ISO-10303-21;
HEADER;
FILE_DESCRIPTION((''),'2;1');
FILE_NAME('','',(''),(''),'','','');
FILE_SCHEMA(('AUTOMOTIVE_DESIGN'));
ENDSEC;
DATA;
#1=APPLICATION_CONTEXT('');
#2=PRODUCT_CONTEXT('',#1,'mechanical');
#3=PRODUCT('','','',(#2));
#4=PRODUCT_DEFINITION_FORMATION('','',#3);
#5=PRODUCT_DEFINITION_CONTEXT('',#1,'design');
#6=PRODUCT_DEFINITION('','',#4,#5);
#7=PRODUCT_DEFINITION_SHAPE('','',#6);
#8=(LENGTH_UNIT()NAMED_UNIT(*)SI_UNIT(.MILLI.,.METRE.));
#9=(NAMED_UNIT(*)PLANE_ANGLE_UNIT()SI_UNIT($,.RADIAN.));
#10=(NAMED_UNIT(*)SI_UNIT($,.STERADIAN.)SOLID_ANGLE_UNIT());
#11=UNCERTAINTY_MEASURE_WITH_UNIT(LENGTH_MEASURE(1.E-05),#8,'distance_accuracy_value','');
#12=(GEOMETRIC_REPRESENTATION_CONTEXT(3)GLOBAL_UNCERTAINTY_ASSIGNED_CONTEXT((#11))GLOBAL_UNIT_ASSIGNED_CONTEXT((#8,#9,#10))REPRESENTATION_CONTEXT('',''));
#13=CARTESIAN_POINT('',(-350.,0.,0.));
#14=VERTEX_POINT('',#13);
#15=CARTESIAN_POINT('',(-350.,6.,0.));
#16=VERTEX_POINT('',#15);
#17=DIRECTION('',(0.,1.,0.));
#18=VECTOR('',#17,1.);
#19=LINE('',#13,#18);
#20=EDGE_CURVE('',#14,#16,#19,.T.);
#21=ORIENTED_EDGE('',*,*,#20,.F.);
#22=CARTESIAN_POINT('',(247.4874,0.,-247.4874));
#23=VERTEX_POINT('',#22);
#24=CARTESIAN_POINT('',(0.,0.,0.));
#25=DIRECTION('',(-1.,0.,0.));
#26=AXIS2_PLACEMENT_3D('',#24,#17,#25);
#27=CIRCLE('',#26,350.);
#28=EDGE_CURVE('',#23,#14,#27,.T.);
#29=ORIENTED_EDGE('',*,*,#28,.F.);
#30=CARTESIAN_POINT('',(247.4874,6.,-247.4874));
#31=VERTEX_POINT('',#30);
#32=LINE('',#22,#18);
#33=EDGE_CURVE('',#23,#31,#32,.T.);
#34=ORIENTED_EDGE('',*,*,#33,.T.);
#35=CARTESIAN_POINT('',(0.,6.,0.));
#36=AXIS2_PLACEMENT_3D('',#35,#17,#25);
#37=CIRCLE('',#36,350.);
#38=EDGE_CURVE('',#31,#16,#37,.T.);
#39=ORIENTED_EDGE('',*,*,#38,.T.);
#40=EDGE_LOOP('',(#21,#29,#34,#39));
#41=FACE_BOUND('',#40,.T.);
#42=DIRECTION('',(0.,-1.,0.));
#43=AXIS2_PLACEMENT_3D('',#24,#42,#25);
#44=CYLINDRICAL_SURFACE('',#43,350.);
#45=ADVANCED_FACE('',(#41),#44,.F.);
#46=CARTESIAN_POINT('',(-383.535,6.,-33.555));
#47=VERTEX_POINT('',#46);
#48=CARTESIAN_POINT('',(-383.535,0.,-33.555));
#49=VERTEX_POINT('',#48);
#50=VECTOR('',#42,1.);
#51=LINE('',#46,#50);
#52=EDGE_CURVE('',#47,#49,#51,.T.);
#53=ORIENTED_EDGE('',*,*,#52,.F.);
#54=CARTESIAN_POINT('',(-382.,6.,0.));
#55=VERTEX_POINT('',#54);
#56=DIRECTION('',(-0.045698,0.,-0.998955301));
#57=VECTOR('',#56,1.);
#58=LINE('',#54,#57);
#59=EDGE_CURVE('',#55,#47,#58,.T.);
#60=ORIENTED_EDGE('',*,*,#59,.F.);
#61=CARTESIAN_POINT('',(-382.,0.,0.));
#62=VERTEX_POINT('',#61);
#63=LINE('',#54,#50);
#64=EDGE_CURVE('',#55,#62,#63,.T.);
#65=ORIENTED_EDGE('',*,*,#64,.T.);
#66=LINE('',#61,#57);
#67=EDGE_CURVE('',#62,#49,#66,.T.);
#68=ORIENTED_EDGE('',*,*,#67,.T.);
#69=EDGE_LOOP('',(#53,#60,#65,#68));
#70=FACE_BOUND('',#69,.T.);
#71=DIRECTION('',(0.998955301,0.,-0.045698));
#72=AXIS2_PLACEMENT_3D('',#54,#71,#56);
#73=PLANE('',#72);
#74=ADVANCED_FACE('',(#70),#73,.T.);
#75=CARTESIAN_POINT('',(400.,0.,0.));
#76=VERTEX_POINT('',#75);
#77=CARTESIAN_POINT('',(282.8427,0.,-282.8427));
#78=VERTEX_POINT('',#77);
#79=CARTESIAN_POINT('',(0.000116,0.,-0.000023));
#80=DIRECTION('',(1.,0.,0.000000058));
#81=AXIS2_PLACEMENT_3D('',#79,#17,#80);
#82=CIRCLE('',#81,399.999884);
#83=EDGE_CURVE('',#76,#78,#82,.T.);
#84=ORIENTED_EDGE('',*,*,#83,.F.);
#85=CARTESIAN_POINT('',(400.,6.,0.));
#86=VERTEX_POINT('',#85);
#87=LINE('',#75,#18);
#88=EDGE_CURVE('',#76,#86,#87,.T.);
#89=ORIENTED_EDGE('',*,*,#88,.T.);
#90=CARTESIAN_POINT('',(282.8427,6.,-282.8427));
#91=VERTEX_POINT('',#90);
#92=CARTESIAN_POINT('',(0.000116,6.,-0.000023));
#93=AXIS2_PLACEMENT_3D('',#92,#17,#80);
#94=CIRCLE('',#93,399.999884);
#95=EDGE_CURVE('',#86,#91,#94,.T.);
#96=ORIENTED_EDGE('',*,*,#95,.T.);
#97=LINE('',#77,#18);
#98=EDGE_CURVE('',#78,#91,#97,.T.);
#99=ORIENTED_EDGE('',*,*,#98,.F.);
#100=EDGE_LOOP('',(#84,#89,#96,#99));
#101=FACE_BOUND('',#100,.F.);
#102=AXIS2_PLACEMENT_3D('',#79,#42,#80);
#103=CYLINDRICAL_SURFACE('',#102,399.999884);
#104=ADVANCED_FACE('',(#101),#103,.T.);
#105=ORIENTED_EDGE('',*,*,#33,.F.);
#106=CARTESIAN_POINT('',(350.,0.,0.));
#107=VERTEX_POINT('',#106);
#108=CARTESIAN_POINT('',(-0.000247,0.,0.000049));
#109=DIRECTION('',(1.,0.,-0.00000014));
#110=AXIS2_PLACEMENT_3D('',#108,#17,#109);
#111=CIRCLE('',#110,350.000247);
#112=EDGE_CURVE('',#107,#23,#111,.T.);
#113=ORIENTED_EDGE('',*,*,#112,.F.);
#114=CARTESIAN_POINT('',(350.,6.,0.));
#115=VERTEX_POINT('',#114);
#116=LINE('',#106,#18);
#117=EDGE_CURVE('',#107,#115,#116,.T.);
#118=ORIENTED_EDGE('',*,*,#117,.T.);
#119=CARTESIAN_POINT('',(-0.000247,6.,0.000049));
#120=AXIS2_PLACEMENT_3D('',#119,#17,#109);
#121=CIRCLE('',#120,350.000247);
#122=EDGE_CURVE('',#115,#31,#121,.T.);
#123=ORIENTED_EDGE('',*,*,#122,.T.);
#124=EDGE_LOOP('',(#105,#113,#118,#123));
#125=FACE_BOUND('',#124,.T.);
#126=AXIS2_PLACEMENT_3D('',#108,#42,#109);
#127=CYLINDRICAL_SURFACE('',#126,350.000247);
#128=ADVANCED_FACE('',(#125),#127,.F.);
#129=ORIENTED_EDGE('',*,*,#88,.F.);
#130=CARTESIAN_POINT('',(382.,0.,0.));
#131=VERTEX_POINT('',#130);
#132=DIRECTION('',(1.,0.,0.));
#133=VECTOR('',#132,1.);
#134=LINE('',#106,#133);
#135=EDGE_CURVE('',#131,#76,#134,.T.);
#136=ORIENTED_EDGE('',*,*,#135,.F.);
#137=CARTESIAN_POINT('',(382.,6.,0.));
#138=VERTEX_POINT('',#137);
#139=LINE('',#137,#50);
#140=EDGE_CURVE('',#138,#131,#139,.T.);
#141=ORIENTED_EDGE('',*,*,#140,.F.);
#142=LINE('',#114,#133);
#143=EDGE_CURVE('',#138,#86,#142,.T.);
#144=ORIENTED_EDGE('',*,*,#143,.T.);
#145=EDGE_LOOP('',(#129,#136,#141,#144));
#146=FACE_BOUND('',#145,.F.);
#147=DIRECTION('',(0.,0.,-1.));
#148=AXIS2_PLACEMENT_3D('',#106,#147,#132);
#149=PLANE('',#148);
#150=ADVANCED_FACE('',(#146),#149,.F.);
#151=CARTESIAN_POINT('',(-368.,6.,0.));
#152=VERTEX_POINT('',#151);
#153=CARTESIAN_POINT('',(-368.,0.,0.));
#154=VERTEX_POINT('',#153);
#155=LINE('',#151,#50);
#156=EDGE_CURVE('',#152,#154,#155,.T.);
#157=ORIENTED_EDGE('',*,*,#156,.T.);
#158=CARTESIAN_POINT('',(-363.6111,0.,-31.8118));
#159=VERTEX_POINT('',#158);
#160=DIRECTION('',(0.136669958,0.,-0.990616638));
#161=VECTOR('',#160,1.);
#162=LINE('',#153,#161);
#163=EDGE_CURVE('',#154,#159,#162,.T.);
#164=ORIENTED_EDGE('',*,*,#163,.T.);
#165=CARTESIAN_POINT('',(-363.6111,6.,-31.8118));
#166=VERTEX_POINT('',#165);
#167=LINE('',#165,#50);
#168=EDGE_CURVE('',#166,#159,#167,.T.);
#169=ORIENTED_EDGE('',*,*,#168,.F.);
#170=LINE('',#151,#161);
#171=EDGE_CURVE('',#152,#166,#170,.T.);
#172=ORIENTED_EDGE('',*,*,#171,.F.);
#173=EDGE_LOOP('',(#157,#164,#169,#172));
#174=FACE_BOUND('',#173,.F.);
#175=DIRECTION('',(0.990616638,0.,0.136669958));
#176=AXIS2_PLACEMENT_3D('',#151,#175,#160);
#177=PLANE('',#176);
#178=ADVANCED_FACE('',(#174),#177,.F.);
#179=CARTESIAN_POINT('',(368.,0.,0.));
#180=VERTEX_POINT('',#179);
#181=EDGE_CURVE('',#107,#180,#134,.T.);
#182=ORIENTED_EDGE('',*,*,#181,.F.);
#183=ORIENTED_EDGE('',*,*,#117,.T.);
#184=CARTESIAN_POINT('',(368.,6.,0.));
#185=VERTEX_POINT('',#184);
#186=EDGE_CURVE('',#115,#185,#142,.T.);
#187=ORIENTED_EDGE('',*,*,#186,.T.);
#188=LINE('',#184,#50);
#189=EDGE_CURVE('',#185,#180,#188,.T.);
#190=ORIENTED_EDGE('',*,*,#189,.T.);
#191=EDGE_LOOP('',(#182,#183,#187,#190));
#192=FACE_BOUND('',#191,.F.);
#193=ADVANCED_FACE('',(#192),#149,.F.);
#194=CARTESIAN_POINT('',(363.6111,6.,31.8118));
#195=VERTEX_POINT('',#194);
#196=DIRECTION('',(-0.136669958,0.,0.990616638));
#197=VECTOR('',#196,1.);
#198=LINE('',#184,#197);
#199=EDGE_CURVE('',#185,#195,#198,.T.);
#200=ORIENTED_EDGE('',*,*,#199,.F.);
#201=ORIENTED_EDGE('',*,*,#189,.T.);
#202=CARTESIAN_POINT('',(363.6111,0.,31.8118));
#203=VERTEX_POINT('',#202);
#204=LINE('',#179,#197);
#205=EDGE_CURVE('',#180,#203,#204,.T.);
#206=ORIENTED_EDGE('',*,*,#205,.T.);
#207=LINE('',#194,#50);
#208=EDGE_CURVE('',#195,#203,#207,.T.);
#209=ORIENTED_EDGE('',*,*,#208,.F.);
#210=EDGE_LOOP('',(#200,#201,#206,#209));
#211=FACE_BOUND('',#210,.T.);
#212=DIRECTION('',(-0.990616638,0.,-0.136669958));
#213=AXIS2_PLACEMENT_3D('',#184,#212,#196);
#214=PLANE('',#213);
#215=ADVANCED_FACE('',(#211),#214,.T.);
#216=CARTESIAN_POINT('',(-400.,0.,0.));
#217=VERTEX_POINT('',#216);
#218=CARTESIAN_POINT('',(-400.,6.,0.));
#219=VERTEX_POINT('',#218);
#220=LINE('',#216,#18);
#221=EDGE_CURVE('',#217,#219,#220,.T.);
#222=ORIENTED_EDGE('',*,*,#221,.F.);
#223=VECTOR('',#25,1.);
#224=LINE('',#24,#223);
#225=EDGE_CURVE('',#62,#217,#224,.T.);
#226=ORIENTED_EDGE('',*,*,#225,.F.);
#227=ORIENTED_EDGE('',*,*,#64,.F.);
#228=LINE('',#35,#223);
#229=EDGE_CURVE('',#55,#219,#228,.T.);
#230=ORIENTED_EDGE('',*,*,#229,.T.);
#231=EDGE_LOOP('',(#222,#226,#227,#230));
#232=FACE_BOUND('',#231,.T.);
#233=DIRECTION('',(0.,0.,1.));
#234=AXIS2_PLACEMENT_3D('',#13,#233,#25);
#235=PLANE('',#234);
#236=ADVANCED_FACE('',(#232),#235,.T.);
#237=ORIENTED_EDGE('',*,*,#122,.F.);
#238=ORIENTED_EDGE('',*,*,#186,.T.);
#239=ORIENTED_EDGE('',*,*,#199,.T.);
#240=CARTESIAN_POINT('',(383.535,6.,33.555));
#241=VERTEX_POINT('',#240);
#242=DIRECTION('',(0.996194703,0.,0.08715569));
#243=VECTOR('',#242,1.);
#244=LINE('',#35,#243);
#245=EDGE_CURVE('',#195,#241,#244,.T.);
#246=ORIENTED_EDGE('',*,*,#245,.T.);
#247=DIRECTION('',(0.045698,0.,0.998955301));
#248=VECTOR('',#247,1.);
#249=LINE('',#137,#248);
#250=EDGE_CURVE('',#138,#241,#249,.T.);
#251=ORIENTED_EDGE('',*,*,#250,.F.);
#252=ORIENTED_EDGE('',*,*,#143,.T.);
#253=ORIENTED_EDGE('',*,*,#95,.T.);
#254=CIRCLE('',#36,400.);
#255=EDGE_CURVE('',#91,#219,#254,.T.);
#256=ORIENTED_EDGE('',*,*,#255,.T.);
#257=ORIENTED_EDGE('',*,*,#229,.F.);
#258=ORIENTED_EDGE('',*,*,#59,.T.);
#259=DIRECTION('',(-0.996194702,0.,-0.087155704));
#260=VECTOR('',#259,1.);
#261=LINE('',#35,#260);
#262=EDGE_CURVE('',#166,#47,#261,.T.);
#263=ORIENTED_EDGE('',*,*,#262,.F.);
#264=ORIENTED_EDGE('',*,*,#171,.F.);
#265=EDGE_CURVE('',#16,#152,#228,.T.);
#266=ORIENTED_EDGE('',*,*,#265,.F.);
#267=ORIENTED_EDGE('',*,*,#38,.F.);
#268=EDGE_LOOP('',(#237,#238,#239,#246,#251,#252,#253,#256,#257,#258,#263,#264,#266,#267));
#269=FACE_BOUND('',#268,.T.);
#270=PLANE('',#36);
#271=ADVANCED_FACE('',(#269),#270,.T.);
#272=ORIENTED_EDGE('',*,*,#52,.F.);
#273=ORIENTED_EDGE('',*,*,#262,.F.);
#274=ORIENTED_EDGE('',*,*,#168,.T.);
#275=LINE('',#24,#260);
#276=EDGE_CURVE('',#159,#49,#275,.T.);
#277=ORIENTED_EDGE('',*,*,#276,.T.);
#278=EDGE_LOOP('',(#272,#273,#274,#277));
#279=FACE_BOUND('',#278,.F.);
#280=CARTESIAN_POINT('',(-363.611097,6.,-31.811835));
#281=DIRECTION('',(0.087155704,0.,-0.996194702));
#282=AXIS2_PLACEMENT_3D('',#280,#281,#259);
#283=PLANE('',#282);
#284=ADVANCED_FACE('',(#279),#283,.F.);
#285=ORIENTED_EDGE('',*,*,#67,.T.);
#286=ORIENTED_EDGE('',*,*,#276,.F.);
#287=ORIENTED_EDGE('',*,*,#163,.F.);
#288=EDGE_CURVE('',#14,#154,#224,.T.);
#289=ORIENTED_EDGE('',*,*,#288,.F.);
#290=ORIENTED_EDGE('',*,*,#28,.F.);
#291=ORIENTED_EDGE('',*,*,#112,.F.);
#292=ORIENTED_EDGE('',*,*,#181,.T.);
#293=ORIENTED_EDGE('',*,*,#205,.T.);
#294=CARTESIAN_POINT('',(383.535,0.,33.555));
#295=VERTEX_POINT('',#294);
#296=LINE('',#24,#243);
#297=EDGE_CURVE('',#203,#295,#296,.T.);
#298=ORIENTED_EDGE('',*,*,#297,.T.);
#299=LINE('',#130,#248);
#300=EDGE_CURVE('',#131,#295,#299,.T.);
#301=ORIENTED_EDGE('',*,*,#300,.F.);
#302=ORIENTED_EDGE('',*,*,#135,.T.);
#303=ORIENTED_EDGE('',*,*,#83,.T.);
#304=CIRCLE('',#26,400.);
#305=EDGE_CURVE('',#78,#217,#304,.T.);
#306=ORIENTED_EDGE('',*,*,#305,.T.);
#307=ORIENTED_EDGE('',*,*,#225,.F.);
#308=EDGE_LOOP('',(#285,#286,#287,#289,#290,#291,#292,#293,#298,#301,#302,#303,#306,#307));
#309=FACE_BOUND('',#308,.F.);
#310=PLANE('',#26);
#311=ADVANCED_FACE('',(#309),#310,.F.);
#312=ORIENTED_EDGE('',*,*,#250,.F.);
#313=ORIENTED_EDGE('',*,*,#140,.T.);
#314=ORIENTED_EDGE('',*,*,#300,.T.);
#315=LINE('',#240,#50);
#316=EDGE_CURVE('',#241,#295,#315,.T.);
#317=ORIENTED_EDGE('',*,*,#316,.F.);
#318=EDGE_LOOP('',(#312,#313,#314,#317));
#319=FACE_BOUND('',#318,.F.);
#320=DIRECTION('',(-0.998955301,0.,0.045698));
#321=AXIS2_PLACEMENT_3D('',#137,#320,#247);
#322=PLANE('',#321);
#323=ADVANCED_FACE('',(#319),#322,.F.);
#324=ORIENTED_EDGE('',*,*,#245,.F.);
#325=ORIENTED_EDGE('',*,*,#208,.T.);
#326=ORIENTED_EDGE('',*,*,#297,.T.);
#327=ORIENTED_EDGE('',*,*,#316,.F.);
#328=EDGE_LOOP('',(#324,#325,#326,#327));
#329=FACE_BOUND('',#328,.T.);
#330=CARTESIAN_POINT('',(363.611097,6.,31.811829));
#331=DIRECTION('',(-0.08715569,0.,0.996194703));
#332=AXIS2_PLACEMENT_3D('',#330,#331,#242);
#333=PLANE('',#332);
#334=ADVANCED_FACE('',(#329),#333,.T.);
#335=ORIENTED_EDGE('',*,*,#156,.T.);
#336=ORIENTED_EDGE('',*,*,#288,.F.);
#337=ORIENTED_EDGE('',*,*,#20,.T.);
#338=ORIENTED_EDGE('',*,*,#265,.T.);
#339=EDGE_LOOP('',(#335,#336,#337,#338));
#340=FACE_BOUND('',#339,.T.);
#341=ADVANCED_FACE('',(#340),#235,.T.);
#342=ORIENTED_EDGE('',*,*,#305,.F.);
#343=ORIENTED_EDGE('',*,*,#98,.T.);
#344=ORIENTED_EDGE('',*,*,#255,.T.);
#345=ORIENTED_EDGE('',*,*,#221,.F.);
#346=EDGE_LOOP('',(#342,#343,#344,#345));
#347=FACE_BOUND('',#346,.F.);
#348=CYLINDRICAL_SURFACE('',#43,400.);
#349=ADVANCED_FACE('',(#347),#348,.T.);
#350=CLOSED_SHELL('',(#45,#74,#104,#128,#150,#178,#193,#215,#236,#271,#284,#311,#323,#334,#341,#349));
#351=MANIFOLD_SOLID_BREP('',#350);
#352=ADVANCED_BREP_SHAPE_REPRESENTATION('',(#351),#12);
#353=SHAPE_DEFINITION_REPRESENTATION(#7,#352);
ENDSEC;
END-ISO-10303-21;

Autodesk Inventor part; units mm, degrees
ref_plane "YZ Plane" through (0, 0, 0) normal (1, 0, 0) x (0, 1, 0)
ref_plane "XZ Plane" through (0, 0, 0) normal (0, 1, 0) x (-1, 0, 0)
ref_plane "XY Plane" through (0, 0, 0) normal (0, 0, 1) x (1, 0, 0)
sketch "Esboço1" plane through (0, 0, 0) normal (0, 1, 0) x (-1, 0, 0)
  arc A0 (-350, 0) -> (-247.4874, -247.4874) centre (0, 0) ccw
  arc A1 (-400, 0) -> (-282.8427, -282.8427) centre (0, 0) ccw
  circle A2 centre (0, 0) radius 400
  circle A3 centre (0, 0) radius 350
  line L0 (0, 0) -> (576.9105, 0)
  line L1 (0, 0) -> (-1224.3013, 0) construction
  line L2 (-350, 0) -> (-400, 0)
  point P0 (-282.8427, -282.8427)
  point P1 (-247.4874, -247.4874)
  point P2 (-282.8427, -282.8427)
  point P3 (400, 0)
  point P4 (350, 0)
  point P5 (-247.4874, -247.4874)
  dimension "d27" = 700
  dimension "d28" = 800
  dimension "d87" = 180
extrude "Extrusão1" add sketch "Esboço1" along normal blind 6 contours A0 A3 L0 A2 A1 L2
sketch "Esboço5" plane through (0, 6, 0) normal (0, 1, 0) x (1, 0, 0)
  arc A0 (400, 0) -> (-400, 0) centre (0, 0) ccw projected
  line L0 (-400, 0) -> (-350, 0) projected
  line L1 (0, 0) -> (-469.4096, 41.068)
  circle A1 centre (0, 0) radius 400
  arc A2 (350, 0) -> (-350, 0) centre (0, 0) ccw projected
  circle A3 centre (0, 0) radius 350
  line L2 (-400, 0) -> (-382, 0)
  line L3 (-382, 0) -> (-368, 0)
  line L4 (-398.4779, 34.8623) -> (-383.535, 33.555)
  line L5 (-383.535, 33.555) -> (-363.6111, 31.8118)
  line L6 (-382, 0) -> (-383.535, 33.555)
  line L7 (-368, 0) -> (-363.6111, 31.8118)
  point P0 (-348.6681, 30.5045)
  point P1 (-398.4779, 34.8623)
  point P2 (-348.6681, 30.5045)
  point P3 (-400, 0)
  dimension "d98" = -5
  dimension "d99" = 18
  dimension "d100" = 14
  dimension "d101" = 15
  dimension "d102" = 20
extrude "Extrusão5" cut sketch "Esboço5" against normal up to surface (6 mm away) contours L1 L7 L0 L6
sketch "Esboço6" plane through (0, 6, 0) normal (0, 1, 0) x (1, 0, 0)
  arc A0 (400, 0) -> (-400, 0) centre (0, 0) ccw projected
  circle A1 centre (0, 0) radius 400
  circle A2 centre (0, 0) radius 350
  line L0 (0, 0) -> (512.6153, -44.848)
  line L1 (350, 0) -> (400, 0) projected
  line L2 (350, 0) -> (368, 0)
  line L3 (368, 0) -> (382, 0)
  line L4 (382, 0) -> (400, 0)
  line L5 (348.6681, -30.5045) -> (363.6111, -31.8118)
  line L6 (363.6111, -31.8118) -> (383.535, -33.555)
  line L7 (383.535, -33.555) -> (398.4779, -34.8623)
  line L8 (368, 0) -> (363.6111, -31.8118)
  line L9 (382, 0) -> (383.535, -33.555)
  point P0 (-398.4779, 34.8623)
  dimension "d93" = 5
  dimension "d94" = 18
  dimension "d95" = 14
  dimension "d96" = 15
  dimension "d97" = 20
extrude "Extrusão6" add sketch "Esboço6" against normal up to surface (6 mm away) contours L9 L0 L8 L1
properties part number "base"
